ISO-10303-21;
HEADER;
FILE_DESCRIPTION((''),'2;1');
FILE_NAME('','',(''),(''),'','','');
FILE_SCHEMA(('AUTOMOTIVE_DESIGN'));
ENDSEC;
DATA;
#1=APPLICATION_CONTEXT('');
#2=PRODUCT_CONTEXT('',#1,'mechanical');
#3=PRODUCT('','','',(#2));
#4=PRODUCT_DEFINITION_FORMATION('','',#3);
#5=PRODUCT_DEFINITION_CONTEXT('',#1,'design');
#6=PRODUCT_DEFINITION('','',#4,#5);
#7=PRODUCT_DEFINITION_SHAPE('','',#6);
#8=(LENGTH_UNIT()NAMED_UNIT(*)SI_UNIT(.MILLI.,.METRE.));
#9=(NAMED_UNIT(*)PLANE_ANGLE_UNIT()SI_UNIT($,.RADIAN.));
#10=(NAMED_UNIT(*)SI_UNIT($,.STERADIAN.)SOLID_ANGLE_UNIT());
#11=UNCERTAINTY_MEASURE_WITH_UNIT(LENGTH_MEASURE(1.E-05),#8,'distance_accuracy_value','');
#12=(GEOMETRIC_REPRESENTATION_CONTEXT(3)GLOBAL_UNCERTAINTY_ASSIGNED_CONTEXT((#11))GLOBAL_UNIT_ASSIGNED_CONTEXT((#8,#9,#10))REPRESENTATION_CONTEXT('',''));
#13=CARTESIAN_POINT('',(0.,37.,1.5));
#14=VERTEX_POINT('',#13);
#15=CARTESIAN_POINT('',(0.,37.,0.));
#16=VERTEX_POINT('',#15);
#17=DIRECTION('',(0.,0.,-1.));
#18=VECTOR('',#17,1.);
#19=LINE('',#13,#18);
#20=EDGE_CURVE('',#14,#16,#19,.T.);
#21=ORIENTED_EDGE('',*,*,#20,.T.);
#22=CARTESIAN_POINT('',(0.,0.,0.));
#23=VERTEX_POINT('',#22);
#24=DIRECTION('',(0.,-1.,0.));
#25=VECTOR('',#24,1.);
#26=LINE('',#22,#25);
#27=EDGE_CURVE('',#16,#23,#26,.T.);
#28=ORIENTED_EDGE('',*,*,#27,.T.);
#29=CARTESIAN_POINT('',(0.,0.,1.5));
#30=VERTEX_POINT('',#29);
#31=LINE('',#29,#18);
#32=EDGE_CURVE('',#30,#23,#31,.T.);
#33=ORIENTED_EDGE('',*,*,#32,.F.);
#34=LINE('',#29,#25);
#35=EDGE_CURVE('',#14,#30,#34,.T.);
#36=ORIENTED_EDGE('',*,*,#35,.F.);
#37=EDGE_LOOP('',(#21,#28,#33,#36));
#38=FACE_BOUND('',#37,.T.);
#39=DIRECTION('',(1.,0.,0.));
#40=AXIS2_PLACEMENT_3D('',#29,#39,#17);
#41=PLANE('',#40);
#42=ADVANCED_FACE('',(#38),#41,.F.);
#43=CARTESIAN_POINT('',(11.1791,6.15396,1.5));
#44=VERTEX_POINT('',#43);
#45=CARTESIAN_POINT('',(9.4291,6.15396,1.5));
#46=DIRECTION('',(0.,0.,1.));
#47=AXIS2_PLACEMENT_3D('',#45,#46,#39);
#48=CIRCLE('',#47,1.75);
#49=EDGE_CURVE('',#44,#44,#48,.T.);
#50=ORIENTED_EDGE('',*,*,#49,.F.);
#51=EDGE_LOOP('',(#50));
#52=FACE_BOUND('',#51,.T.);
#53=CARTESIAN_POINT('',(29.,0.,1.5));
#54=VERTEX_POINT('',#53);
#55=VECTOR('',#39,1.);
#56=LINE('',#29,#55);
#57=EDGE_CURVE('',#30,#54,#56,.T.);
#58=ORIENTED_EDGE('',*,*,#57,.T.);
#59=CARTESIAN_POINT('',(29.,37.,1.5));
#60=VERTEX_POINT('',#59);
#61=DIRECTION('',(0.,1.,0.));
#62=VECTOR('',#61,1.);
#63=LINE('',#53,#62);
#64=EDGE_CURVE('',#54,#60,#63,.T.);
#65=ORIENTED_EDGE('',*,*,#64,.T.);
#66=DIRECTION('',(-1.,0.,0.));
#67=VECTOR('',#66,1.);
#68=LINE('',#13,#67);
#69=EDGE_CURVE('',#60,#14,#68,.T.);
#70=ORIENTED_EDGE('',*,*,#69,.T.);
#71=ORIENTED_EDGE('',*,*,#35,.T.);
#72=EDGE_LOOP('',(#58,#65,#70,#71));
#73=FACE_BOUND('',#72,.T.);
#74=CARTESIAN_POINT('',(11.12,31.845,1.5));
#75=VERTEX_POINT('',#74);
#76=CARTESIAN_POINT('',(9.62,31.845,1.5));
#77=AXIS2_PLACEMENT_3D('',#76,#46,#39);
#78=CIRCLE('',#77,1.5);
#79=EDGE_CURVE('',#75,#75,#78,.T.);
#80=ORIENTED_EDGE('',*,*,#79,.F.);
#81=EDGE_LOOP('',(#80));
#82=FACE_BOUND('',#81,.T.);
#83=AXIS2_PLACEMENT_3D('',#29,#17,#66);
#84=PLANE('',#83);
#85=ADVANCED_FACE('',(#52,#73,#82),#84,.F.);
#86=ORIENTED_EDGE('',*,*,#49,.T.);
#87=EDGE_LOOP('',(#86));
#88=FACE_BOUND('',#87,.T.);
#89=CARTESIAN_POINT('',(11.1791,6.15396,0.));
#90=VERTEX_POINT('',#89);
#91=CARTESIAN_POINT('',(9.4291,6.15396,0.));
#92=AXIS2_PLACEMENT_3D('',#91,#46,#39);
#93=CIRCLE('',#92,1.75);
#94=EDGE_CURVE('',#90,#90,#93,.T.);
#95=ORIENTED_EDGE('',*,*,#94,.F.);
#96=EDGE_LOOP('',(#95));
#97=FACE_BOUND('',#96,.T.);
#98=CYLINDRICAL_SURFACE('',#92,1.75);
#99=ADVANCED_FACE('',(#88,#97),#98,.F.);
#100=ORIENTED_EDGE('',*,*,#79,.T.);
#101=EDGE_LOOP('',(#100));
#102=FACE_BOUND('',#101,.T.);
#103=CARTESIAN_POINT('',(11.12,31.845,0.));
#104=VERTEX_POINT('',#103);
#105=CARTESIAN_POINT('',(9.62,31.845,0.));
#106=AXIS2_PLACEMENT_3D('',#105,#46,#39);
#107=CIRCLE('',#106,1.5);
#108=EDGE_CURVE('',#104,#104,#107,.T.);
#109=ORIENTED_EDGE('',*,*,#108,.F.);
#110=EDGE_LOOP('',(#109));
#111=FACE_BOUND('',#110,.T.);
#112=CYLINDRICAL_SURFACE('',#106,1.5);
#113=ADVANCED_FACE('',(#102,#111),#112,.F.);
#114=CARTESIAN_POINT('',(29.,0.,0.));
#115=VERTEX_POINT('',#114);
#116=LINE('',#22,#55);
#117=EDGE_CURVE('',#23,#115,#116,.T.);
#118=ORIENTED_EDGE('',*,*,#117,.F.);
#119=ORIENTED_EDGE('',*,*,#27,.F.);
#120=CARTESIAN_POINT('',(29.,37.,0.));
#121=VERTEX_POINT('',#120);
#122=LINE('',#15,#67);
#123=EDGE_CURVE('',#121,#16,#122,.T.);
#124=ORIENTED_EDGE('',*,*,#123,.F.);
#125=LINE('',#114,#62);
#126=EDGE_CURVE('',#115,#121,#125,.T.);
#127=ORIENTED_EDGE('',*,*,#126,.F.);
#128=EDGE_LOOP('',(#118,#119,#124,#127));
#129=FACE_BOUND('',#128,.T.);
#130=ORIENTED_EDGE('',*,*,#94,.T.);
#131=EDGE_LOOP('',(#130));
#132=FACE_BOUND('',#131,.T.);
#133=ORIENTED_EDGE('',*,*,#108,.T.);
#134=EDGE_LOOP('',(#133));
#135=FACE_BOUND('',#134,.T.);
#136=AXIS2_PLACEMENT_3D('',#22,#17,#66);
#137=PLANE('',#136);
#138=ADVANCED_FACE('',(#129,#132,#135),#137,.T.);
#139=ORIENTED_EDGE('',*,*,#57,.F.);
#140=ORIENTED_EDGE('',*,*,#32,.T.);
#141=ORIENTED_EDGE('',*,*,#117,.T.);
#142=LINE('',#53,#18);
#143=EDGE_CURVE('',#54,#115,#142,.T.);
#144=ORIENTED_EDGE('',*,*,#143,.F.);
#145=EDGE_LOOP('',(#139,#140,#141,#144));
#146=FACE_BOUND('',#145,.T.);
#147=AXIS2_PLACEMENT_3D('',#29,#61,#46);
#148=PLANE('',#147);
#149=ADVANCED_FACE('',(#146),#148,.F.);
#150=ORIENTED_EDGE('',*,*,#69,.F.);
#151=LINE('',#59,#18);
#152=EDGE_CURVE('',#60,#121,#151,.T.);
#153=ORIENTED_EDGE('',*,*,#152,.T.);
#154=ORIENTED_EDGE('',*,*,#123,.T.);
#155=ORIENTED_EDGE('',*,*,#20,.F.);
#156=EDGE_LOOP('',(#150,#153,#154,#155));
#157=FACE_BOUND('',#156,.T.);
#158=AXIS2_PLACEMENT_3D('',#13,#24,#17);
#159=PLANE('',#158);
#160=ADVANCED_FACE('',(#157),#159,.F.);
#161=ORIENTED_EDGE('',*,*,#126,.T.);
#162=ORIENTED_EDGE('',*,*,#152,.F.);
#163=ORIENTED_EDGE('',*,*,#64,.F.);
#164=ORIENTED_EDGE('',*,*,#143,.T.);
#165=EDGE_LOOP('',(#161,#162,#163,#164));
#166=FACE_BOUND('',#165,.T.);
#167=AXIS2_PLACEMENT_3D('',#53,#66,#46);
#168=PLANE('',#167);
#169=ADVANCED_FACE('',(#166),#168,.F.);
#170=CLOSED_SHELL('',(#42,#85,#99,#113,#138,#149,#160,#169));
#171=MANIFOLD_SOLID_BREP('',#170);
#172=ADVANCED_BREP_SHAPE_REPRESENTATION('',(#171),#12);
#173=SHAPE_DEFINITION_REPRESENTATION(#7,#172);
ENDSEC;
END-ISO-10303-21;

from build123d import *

# Parameters (mm, degrees)
SKETCH_1_W          = 29
SKETCH_1_H          = 37
EXTRUDE_1_DEPTH     = 1.5
SKETCH_2_R          = 1.5
SKETCH_2_R_2        = 1.75
CUT_EXTRUDE_1_DEPTH = 2.5


with BuildPart() as part:
    # Эскиз1 → Бобышка-Вытянуть1 (new body)
    with BuildSketch(Plane.XY):
        with Locations((14.5, 18.5)):
            Rectangle(SKETCH_1_W, SKETCH_1_H)
    extrude(amount=EXTRUDE_1_DEPTH)

    # Эскиз2 → Вырез-Вытянуть1 (cut, through all)
    with BuildSketch(Plane.XY.offset(1.5)):
        with Locations((9.62, 31.845)):
            Circle(SKETCH_2_R)
        with Locations((9.4291, 6.15396)):
            Circle(SKETCH_2_R_2)
    extrude(amount=-CUT_EXTRUDE_1_DEPTH, mode=Mode.SUBTRACT)


solid = part.part
